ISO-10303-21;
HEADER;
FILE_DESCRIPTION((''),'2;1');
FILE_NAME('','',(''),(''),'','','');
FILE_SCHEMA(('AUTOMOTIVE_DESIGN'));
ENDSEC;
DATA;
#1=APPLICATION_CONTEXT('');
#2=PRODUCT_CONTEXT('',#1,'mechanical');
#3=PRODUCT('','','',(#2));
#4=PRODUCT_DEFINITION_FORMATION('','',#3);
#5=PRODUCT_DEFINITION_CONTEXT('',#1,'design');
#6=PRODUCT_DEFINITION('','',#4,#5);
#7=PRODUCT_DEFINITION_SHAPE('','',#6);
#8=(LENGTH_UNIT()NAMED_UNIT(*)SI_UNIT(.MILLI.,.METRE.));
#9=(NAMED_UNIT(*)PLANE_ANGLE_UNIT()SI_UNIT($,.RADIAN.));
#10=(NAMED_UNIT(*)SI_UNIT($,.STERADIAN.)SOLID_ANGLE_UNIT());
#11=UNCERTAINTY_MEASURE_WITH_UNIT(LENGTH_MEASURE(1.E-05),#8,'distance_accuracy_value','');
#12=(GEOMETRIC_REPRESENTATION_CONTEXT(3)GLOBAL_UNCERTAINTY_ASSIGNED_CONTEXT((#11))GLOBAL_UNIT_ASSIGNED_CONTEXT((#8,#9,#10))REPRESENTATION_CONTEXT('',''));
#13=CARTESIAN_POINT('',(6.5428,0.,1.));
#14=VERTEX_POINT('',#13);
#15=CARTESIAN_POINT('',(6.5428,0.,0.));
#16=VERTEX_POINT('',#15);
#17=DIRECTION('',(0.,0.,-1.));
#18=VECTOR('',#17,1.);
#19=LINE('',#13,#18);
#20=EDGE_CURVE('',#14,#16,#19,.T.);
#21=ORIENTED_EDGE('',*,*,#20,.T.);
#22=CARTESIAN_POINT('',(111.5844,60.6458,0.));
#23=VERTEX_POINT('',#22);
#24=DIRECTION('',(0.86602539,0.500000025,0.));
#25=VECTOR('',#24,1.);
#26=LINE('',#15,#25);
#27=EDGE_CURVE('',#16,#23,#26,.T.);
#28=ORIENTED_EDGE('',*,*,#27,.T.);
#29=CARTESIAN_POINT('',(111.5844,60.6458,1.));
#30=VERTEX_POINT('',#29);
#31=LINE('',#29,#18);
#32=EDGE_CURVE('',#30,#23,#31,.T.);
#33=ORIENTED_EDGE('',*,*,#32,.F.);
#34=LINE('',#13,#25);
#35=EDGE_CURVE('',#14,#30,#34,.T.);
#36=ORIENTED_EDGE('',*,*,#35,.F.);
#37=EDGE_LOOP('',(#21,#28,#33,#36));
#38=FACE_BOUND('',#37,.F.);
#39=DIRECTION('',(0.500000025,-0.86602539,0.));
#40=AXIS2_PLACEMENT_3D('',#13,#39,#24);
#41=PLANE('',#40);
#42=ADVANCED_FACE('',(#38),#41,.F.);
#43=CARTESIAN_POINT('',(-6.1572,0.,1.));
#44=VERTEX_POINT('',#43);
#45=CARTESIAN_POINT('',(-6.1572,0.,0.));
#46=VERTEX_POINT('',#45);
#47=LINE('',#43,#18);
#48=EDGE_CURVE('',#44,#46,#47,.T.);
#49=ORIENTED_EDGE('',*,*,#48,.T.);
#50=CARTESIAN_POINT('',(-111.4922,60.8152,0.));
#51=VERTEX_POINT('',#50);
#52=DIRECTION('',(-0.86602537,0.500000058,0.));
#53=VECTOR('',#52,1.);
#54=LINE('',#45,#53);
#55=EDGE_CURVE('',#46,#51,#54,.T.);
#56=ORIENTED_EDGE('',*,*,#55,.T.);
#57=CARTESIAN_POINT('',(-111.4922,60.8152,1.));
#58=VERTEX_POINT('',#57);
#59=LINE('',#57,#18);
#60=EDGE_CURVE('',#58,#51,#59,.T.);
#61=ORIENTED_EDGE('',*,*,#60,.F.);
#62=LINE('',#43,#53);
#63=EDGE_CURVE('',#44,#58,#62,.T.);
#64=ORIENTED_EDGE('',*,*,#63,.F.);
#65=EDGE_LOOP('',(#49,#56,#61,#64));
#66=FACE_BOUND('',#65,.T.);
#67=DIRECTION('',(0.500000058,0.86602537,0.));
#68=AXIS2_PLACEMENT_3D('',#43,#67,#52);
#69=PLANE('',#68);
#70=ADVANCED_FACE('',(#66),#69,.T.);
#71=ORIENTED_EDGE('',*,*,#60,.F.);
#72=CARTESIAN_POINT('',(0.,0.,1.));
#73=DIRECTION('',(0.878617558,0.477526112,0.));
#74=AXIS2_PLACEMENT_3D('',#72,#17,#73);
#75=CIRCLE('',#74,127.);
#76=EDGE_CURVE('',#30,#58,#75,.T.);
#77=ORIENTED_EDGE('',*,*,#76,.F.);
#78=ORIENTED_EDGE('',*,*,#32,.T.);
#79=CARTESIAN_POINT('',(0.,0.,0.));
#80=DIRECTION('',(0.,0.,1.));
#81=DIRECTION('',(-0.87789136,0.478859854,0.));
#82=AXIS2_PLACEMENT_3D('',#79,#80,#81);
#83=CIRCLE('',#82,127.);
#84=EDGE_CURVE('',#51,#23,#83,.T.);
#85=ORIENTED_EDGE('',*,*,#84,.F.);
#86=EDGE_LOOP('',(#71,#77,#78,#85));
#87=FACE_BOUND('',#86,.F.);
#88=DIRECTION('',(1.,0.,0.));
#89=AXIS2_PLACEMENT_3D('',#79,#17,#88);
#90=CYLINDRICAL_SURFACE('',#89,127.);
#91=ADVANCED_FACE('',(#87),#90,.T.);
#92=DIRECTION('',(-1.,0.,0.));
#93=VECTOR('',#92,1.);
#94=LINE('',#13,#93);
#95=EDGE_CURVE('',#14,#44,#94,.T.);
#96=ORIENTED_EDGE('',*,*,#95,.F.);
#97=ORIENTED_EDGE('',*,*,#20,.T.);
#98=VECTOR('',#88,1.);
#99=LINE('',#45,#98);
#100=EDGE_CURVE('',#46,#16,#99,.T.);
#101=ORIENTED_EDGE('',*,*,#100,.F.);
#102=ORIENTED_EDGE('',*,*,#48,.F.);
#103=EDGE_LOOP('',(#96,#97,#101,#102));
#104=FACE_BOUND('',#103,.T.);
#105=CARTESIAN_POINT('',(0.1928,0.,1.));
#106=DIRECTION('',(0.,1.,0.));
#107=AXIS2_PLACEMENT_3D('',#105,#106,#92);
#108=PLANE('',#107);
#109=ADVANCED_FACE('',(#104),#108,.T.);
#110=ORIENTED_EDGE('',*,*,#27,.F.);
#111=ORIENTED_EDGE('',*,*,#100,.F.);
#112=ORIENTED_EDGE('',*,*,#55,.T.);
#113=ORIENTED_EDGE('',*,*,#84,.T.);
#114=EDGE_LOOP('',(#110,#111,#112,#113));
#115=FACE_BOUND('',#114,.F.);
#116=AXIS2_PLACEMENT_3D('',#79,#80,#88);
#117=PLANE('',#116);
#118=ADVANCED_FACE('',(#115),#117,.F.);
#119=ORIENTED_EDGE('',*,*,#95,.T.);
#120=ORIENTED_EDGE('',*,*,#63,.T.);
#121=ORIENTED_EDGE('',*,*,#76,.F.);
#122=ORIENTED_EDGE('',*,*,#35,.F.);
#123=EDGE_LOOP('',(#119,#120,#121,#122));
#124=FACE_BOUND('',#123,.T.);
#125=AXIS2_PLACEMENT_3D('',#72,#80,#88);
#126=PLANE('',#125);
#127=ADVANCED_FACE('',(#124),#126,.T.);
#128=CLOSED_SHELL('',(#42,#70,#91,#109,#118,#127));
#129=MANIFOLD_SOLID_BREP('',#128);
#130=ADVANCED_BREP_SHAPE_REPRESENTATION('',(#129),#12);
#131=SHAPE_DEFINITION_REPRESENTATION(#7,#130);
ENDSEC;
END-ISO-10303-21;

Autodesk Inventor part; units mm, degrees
ref_plane "YZ Plane" through (0, 0, 0) normal (1, 0, 0) x (0, 1, 0)
ref_plane "XZ Plane" through (0, 0, 0) normal (0, 1, 0) x (-1, 0, 0)
ref_plane "XY Plane" through (0, 0, 0) normal (0, 0, 1) x (1, 0, 0)
sketch "Sketch1" plane through (0, 0, 0) normal (0, 0, 1) x (1, 0, 0)
  circle A0 centre (0, 0) radius 127
  dimension "d0" = 254
extrude "Extrusion1" add sketch "Sketch1" along normal blind 1
sketch "Sketch2" plane through (0, 0, 1) normal (0, 0, 1) x (1, 0, 0)
  circle A0 centre (0, 0) radius 127 projected
  line L0 (0.1928, 0) -> (6.5428, 0)
  line L1 (6.5428, 0) -> (-6.1572, 0)
  line L2 (-6.1572, 0) -> (-111.4922, 60.8152)
  line L3 (-6.1572, 0) -> (115.4732, 0) construction
  line L4 (6.5428, 0) -> (111.5844, 60.6458)
  line L5 (6.5428, 0) -> (127.8344, 0) construction
  dimension "d3" = 6.35
  dimension "d4" = 12.7
  dimension "d5" = 150
  dimension "d6" = 30
extrude "Extrusion2" cut sketch "Sketch2" against normal blind 1 contours L4 L0 L1 L2 A0 picked at (-7.0197, 84.3704)
properties part number "view"
